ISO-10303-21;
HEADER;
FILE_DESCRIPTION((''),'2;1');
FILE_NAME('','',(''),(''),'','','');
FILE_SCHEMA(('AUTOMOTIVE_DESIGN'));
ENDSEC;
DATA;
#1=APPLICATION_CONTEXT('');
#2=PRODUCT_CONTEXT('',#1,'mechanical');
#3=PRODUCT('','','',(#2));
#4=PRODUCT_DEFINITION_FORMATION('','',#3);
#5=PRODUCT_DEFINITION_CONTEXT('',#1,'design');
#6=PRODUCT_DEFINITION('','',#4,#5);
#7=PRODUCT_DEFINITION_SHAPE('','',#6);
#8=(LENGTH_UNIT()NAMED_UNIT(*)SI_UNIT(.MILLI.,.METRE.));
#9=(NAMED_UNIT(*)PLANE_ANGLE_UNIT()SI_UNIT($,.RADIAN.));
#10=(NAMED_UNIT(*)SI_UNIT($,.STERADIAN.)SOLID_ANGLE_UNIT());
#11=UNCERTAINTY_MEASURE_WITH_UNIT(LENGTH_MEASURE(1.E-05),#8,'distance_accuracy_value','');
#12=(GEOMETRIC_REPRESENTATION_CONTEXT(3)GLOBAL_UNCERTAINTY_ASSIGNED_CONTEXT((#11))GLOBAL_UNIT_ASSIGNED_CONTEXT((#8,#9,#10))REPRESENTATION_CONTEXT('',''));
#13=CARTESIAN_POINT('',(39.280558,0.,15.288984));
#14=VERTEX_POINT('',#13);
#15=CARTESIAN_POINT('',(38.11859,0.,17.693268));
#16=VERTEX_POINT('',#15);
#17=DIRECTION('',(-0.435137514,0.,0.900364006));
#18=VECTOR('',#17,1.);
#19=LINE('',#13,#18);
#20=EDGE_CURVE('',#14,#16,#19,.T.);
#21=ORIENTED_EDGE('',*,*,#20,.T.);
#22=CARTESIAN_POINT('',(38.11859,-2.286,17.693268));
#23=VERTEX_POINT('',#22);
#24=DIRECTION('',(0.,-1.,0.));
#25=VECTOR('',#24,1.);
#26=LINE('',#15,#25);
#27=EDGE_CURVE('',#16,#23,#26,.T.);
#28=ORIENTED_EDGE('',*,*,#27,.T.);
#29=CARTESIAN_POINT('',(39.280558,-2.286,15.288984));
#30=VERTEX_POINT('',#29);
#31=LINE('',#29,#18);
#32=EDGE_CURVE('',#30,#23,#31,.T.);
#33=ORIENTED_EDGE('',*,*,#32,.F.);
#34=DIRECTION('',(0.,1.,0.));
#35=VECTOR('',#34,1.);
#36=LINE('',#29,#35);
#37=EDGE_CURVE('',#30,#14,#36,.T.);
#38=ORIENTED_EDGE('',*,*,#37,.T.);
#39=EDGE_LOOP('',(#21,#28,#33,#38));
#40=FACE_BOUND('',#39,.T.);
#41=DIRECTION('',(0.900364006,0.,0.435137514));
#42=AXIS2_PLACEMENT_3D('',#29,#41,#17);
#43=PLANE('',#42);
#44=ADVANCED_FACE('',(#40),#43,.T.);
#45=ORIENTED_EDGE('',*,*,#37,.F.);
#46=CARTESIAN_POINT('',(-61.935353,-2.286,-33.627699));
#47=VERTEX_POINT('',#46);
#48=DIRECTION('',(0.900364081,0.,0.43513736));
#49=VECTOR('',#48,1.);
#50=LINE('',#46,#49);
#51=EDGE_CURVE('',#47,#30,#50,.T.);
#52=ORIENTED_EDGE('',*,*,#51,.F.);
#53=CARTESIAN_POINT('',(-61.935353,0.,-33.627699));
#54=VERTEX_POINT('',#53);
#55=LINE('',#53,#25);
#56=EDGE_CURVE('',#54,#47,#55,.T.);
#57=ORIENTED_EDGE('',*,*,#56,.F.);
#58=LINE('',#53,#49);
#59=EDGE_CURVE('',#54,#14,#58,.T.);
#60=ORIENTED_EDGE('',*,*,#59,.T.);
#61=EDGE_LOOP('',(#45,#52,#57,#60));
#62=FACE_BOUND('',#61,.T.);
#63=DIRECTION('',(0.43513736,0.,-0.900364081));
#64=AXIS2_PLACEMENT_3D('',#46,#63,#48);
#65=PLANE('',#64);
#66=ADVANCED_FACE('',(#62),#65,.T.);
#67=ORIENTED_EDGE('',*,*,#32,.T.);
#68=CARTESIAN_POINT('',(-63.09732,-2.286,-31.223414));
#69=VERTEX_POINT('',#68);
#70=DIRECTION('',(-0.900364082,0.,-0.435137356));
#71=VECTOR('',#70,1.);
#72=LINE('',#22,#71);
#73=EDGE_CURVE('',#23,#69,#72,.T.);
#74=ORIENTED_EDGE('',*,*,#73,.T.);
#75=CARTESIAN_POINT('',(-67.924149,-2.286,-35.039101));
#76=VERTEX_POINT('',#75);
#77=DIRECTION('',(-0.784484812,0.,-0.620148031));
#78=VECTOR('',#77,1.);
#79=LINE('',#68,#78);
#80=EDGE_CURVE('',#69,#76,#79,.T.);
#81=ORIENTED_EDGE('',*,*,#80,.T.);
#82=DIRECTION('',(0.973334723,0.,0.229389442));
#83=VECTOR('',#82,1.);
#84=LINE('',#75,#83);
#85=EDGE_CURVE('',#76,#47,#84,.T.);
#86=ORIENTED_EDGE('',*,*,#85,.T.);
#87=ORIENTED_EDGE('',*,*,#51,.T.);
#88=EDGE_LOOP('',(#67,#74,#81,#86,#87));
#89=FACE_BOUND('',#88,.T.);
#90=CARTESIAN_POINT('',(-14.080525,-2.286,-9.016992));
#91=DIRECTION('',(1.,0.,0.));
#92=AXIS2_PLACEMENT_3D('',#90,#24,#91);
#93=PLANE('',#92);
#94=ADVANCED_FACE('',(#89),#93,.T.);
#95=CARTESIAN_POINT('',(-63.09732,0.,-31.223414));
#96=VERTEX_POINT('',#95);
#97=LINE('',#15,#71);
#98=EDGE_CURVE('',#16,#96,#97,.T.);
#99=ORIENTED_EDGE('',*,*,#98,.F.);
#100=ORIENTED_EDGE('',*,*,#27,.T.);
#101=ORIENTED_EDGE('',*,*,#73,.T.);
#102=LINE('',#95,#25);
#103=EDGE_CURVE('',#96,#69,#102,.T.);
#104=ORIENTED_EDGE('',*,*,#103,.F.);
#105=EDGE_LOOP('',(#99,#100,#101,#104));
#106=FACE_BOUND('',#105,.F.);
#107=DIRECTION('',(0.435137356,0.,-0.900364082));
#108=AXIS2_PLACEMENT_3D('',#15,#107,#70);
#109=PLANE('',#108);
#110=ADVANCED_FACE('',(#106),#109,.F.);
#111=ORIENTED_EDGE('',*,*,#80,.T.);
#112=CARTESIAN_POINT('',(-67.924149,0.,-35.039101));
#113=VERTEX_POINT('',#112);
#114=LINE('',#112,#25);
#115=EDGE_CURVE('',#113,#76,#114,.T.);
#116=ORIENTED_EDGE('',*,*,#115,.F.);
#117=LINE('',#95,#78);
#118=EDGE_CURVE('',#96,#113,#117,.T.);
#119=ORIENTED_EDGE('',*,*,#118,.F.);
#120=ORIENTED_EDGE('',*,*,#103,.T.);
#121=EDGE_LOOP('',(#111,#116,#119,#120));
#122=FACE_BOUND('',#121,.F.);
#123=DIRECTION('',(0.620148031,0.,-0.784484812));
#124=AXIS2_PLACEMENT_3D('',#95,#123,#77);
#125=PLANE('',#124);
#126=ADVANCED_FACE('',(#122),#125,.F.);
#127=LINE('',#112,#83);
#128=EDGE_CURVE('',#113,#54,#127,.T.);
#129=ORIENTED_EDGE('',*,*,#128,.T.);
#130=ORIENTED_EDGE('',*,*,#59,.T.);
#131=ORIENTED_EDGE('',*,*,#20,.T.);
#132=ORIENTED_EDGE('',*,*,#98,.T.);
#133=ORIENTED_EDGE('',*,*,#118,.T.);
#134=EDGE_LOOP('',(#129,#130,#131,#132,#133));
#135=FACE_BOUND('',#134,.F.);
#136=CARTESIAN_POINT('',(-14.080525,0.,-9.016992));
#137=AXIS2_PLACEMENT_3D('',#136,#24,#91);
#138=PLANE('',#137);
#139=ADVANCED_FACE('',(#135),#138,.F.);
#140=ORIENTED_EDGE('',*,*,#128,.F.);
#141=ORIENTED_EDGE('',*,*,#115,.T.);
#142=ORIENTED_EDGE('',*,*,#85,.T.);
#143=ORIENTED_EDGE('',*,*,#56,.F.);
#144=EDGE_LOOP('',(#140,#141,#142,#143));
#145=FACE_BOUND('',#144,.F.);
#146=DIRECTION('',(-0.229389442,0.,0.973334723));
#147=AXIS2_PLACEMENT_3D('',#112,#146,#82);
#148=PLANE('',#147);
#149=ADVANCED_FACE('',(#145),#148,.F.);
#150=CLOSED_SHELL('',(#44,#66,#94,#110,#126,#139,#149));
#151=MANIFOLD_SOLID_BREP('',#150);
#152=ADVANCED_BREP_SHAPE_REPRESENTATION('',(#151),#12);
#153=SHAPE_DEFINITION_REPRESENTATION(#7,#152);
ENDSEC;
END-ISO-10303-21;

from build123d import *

# Parameters (mm, degrees)
F1_DEPTH = 2.286
F2_DEPTH = 2.286


with BuildPart() as f1:
    # F0 (on Front) → F1 (new body)
    with BuildSketch(Plane.XZ):
        Polygon((39.280557, 15.288984), (38.11859, 17.693268), (-63.09732, -31.223414), (-67.924149, -35.039101), (-61.935353, -33.627699), align=None)
    extrude(amount=F1_DEPTH)

    # F1_face (on face) → F2 (join)
    with BuildSketch(Plane(origin=(-13.27206, -2.286, -8.626268), x_dir=(1, 0, 0), z_dir=(0, -1, 0))):
        Polygon((-48.663293, -25.001431), (52.552618, 23.915252), (51.39065, 26.319536), (-49.82526, -22.597146), (-54.652089, -26.412833), align=None)
    extrude(amount=-F2_DEPTH)


solid = f1.part
